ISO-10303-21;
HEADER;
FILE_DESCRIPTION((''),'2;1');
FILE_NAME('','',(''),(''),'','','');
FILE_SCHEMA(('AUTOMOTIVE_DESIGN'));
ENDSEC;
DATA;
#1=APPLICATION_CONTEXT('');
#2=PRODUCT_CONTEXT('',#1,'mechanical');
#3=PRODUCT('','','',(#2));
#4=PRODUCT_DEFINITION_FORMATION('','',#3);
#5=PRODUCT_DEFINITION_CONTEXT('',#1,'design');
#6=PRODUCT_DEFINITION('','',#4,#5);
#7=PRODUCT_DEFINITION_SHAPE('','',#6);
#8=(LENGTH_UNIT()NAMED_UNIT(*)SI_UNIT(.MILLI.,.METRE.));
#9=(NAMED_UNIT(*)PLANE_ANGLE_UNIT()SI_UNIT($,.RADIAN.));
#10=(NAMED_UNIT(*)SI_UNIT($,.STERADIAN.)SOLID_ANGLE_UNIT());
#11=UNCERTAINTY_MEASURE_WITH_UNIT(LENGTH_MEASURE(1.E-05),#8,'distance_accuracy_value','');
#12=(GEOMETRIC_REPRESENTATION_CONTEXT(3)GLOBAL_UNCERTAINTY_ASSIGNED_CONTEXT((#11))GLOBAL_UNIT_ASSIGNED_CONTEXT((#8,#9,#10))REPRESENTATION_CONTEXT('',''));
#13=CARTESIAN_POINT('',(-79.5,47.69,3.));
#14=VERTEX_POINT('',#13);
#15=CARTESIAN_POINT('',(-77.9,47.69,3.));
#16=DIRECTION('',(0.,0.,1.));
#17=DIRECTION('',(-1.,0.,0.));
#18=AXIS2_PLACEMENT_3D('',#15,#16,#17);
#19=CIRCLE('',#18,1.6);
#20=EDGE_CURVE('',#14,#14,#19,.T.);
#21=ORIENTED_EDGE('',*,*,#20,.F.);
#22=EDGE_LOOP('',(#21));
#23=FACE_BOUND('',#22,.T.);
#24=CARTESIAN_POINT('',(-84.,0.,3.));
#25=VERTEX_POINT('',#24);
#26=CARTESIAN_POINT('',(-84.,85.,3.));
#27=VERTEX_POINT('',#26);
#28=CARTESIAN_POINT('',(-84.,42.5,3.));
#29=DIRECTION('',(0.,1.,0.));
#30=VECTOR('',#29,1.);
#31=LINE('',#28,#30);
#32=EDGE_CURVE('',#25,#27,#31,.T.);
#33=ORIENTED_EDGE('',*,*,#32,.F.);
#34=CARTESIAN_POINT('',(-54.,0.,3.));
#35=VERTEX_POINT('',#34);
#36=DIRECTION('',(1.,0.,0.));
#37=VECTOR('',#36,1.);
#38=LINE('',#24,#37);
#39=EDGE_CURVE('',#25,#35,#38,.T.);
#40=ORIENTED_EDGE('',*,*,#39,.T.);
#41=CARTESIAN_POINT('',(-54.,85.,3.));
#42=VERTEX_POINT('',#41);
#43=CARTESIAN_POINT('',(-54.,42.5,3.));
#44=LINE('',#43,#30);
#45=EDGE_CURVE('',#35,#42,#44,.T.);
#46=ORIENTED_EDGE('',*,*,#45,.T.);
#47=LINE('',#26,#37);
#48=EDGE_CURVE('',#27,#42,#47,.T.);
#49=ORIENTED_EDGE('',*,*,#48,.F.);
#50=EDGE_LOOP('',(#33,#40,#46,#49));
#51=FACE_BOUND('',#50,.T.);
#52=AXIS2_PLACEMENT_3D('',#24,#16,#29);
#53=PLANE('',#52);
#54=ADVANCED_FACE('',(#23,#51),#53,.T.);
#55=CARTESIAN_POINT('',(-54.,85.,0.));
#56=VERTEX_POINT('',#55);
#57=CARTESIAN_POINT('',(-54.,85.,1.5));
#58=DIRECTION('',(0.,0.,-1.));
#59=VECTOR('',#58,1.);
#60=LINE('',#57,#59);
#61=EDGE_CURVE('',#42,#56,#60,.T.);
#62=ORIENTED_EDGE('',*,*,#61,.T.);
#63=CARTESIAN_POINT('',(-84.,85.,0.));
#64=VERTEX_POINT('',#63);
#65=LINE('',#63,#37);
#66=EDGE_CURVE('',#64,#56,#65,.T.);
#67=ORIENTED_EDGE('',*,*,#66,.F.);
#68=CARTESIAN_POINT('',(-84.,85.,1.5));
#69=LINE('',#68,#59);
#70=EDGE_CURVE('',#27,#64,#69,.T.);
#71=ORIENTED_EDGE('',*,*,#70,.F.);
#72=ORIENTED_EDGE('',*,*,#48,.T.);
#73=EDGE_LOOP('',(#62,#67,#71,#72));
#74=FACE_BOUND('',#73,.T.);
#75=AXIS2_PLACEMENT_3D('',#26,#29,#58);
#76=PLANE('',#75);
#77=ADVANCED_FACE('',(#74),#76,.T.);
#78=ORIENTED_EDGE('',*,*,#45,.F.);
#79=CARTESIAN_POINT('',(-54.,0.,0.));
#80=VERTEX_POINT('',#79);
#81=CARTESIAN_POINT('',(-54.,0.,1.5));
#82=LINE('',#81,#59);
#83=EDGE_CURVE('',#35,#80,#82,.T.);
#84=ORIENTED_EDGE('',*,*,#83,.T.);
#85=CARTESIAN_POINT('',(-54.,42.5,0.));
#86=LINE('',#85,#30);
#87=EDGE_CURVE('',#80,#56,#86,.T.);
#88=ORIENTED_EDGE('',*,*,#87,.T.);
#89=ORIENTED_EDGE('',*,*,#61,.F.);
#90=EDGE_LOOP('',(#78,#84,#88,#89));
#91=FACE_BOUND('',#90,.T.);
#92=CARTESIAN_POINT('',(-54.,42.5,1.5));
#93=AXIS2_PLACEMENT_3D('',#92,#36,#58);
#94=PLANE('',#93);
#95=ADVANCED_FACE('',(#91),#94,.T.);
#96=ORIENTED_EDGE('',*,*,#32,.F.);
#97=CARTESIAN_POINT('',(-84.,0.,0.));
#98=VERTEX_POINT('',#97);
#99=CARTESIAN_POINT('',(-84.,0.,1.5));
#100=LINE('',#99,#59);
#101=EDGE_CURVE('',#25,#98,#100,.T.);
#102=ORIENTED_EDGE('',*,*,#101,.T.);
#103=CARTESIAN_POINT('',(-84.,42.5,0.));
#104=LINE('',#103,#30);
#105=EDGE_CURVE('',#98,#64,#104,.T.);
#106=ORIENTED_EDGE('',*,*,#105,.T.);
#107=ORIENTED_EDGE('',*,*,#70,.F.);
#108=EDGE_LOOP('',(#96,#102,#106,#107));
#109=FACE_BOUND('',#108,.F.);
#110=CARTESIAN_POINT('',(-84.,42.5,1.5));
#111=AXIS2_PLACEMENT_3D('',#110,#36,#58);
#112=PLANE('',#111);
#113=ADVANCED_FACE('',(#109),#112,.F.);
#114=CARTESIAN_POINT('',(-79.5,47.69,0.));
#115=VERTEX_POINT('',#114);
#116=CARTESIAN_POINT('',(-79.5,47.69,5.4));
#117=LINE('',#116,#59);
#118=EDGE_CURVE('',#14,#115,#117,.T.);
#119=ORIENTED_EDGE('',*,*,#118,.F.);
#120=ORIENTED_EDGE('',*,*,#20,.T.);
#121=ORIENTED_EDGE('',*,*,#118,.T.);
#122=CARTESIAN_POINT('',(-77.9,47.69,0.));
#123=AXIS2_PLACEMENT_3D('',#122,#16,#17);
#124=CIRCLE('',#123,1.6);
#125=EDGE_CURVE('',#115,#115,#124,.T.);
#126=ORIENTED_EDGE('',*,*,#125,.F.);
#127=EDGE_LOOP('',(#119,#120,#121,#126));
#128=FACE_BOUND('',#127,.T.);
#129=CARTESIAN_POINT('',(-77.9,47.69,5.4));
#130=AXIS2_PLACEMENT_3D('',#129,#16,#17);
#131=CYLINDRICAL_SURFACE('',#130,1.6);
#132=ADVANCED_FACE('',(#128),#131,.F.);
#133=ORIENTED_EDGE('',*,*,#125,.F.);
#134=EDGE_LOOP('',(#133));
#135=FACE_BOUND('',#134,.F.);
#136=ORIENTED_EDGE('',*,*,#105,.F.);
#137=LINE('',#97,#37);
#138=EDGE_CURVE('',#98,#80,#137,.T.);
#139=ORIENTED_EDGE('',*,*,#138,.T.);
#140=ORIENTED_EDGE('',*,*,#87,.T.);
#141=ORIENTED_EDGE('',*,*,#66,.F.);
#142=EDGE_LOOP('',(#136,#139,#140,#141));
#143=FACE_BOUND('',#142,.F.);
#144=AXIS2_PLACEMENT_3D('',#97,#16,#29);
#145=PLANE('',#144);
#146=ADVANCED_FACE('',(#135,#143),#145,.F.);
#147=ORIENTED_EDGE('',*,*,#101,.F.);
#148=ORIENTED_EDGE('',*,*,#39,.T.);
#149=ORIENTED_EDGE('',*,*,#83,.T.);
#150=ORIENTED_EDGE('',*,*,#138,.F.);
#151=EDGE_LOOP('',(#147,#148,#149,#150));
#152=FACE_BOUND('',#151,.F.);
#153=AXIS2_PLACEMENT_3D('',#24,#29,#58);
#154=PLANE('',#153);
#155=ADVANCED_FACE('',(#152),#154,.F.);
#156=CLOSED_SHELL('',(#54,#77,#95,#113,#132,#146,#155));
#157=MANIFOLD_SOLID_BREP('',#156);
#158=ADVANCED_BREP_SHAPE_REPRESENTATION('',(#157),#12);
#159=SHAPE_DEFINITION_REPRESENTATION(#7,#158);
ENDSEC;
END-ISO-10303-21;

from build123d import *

# Parameters (mm, degrees)
CYLINDER028_R           = 1.6
CYLINDER028_DEPTH       = 10
CYLINDER028_PITCH_ANGLE = 90
BOX003_W                = 3
BOX003_H                = 85
BOX003_DEPTH            = 30
CUT025_PITCH_ANGLE      = 90


with BuildPart() as back_hole:
    # Cylinder028 → Cylinder028 (new body)
    with BuildSketch(Plane.XY):
        Circle(CYLINDER028_R)
    extrude(amount=CYLINDER028_DEPTH)


with BuildPart() as back_hole_1:
    # Cylinder028 pitch: moved
    add(back_hole.part.rotate(Axis((0, 0, 0), (0, 1, 0)), CYLINDER028_PITCH_ANGLE))


with BuildPart() as back_hole_2:
    # Cylinder028 placement: moved
    add(back_hole_1.part.moved(Location((97.6, 47.69, -18.9))))


with BuildPart() as final_back:
    # Box003 → Box003 (new body)
    with BuildSketch(Plane(origin=(100, 0, -25), x_dir=(1, 0, 0), z_dir=(0, 0, 1))):
        with Locations((1.5, 42.5)):
            Rectangle(BOX003_W, BOX003_H)
    extrude(amount=BOX003_DEPTH)

    # Cut025: cut back hole
    add(back_hole_2.part, mode=Mode.SUBTRACT)


with BuildPart() as final_back_1:
    # Cut025 pitch: moved
    add(final_back.part.rotate(Axis((0, 0, 0), (0, 1, 0)), CUT025_PITCH_ANGLE))


with BuildPart() as final_back_2:
    # Cut025 placement: moved
    add(final_back_1.part.moved(Location((-59, 0, 103))))


solid = final_back_2.part
